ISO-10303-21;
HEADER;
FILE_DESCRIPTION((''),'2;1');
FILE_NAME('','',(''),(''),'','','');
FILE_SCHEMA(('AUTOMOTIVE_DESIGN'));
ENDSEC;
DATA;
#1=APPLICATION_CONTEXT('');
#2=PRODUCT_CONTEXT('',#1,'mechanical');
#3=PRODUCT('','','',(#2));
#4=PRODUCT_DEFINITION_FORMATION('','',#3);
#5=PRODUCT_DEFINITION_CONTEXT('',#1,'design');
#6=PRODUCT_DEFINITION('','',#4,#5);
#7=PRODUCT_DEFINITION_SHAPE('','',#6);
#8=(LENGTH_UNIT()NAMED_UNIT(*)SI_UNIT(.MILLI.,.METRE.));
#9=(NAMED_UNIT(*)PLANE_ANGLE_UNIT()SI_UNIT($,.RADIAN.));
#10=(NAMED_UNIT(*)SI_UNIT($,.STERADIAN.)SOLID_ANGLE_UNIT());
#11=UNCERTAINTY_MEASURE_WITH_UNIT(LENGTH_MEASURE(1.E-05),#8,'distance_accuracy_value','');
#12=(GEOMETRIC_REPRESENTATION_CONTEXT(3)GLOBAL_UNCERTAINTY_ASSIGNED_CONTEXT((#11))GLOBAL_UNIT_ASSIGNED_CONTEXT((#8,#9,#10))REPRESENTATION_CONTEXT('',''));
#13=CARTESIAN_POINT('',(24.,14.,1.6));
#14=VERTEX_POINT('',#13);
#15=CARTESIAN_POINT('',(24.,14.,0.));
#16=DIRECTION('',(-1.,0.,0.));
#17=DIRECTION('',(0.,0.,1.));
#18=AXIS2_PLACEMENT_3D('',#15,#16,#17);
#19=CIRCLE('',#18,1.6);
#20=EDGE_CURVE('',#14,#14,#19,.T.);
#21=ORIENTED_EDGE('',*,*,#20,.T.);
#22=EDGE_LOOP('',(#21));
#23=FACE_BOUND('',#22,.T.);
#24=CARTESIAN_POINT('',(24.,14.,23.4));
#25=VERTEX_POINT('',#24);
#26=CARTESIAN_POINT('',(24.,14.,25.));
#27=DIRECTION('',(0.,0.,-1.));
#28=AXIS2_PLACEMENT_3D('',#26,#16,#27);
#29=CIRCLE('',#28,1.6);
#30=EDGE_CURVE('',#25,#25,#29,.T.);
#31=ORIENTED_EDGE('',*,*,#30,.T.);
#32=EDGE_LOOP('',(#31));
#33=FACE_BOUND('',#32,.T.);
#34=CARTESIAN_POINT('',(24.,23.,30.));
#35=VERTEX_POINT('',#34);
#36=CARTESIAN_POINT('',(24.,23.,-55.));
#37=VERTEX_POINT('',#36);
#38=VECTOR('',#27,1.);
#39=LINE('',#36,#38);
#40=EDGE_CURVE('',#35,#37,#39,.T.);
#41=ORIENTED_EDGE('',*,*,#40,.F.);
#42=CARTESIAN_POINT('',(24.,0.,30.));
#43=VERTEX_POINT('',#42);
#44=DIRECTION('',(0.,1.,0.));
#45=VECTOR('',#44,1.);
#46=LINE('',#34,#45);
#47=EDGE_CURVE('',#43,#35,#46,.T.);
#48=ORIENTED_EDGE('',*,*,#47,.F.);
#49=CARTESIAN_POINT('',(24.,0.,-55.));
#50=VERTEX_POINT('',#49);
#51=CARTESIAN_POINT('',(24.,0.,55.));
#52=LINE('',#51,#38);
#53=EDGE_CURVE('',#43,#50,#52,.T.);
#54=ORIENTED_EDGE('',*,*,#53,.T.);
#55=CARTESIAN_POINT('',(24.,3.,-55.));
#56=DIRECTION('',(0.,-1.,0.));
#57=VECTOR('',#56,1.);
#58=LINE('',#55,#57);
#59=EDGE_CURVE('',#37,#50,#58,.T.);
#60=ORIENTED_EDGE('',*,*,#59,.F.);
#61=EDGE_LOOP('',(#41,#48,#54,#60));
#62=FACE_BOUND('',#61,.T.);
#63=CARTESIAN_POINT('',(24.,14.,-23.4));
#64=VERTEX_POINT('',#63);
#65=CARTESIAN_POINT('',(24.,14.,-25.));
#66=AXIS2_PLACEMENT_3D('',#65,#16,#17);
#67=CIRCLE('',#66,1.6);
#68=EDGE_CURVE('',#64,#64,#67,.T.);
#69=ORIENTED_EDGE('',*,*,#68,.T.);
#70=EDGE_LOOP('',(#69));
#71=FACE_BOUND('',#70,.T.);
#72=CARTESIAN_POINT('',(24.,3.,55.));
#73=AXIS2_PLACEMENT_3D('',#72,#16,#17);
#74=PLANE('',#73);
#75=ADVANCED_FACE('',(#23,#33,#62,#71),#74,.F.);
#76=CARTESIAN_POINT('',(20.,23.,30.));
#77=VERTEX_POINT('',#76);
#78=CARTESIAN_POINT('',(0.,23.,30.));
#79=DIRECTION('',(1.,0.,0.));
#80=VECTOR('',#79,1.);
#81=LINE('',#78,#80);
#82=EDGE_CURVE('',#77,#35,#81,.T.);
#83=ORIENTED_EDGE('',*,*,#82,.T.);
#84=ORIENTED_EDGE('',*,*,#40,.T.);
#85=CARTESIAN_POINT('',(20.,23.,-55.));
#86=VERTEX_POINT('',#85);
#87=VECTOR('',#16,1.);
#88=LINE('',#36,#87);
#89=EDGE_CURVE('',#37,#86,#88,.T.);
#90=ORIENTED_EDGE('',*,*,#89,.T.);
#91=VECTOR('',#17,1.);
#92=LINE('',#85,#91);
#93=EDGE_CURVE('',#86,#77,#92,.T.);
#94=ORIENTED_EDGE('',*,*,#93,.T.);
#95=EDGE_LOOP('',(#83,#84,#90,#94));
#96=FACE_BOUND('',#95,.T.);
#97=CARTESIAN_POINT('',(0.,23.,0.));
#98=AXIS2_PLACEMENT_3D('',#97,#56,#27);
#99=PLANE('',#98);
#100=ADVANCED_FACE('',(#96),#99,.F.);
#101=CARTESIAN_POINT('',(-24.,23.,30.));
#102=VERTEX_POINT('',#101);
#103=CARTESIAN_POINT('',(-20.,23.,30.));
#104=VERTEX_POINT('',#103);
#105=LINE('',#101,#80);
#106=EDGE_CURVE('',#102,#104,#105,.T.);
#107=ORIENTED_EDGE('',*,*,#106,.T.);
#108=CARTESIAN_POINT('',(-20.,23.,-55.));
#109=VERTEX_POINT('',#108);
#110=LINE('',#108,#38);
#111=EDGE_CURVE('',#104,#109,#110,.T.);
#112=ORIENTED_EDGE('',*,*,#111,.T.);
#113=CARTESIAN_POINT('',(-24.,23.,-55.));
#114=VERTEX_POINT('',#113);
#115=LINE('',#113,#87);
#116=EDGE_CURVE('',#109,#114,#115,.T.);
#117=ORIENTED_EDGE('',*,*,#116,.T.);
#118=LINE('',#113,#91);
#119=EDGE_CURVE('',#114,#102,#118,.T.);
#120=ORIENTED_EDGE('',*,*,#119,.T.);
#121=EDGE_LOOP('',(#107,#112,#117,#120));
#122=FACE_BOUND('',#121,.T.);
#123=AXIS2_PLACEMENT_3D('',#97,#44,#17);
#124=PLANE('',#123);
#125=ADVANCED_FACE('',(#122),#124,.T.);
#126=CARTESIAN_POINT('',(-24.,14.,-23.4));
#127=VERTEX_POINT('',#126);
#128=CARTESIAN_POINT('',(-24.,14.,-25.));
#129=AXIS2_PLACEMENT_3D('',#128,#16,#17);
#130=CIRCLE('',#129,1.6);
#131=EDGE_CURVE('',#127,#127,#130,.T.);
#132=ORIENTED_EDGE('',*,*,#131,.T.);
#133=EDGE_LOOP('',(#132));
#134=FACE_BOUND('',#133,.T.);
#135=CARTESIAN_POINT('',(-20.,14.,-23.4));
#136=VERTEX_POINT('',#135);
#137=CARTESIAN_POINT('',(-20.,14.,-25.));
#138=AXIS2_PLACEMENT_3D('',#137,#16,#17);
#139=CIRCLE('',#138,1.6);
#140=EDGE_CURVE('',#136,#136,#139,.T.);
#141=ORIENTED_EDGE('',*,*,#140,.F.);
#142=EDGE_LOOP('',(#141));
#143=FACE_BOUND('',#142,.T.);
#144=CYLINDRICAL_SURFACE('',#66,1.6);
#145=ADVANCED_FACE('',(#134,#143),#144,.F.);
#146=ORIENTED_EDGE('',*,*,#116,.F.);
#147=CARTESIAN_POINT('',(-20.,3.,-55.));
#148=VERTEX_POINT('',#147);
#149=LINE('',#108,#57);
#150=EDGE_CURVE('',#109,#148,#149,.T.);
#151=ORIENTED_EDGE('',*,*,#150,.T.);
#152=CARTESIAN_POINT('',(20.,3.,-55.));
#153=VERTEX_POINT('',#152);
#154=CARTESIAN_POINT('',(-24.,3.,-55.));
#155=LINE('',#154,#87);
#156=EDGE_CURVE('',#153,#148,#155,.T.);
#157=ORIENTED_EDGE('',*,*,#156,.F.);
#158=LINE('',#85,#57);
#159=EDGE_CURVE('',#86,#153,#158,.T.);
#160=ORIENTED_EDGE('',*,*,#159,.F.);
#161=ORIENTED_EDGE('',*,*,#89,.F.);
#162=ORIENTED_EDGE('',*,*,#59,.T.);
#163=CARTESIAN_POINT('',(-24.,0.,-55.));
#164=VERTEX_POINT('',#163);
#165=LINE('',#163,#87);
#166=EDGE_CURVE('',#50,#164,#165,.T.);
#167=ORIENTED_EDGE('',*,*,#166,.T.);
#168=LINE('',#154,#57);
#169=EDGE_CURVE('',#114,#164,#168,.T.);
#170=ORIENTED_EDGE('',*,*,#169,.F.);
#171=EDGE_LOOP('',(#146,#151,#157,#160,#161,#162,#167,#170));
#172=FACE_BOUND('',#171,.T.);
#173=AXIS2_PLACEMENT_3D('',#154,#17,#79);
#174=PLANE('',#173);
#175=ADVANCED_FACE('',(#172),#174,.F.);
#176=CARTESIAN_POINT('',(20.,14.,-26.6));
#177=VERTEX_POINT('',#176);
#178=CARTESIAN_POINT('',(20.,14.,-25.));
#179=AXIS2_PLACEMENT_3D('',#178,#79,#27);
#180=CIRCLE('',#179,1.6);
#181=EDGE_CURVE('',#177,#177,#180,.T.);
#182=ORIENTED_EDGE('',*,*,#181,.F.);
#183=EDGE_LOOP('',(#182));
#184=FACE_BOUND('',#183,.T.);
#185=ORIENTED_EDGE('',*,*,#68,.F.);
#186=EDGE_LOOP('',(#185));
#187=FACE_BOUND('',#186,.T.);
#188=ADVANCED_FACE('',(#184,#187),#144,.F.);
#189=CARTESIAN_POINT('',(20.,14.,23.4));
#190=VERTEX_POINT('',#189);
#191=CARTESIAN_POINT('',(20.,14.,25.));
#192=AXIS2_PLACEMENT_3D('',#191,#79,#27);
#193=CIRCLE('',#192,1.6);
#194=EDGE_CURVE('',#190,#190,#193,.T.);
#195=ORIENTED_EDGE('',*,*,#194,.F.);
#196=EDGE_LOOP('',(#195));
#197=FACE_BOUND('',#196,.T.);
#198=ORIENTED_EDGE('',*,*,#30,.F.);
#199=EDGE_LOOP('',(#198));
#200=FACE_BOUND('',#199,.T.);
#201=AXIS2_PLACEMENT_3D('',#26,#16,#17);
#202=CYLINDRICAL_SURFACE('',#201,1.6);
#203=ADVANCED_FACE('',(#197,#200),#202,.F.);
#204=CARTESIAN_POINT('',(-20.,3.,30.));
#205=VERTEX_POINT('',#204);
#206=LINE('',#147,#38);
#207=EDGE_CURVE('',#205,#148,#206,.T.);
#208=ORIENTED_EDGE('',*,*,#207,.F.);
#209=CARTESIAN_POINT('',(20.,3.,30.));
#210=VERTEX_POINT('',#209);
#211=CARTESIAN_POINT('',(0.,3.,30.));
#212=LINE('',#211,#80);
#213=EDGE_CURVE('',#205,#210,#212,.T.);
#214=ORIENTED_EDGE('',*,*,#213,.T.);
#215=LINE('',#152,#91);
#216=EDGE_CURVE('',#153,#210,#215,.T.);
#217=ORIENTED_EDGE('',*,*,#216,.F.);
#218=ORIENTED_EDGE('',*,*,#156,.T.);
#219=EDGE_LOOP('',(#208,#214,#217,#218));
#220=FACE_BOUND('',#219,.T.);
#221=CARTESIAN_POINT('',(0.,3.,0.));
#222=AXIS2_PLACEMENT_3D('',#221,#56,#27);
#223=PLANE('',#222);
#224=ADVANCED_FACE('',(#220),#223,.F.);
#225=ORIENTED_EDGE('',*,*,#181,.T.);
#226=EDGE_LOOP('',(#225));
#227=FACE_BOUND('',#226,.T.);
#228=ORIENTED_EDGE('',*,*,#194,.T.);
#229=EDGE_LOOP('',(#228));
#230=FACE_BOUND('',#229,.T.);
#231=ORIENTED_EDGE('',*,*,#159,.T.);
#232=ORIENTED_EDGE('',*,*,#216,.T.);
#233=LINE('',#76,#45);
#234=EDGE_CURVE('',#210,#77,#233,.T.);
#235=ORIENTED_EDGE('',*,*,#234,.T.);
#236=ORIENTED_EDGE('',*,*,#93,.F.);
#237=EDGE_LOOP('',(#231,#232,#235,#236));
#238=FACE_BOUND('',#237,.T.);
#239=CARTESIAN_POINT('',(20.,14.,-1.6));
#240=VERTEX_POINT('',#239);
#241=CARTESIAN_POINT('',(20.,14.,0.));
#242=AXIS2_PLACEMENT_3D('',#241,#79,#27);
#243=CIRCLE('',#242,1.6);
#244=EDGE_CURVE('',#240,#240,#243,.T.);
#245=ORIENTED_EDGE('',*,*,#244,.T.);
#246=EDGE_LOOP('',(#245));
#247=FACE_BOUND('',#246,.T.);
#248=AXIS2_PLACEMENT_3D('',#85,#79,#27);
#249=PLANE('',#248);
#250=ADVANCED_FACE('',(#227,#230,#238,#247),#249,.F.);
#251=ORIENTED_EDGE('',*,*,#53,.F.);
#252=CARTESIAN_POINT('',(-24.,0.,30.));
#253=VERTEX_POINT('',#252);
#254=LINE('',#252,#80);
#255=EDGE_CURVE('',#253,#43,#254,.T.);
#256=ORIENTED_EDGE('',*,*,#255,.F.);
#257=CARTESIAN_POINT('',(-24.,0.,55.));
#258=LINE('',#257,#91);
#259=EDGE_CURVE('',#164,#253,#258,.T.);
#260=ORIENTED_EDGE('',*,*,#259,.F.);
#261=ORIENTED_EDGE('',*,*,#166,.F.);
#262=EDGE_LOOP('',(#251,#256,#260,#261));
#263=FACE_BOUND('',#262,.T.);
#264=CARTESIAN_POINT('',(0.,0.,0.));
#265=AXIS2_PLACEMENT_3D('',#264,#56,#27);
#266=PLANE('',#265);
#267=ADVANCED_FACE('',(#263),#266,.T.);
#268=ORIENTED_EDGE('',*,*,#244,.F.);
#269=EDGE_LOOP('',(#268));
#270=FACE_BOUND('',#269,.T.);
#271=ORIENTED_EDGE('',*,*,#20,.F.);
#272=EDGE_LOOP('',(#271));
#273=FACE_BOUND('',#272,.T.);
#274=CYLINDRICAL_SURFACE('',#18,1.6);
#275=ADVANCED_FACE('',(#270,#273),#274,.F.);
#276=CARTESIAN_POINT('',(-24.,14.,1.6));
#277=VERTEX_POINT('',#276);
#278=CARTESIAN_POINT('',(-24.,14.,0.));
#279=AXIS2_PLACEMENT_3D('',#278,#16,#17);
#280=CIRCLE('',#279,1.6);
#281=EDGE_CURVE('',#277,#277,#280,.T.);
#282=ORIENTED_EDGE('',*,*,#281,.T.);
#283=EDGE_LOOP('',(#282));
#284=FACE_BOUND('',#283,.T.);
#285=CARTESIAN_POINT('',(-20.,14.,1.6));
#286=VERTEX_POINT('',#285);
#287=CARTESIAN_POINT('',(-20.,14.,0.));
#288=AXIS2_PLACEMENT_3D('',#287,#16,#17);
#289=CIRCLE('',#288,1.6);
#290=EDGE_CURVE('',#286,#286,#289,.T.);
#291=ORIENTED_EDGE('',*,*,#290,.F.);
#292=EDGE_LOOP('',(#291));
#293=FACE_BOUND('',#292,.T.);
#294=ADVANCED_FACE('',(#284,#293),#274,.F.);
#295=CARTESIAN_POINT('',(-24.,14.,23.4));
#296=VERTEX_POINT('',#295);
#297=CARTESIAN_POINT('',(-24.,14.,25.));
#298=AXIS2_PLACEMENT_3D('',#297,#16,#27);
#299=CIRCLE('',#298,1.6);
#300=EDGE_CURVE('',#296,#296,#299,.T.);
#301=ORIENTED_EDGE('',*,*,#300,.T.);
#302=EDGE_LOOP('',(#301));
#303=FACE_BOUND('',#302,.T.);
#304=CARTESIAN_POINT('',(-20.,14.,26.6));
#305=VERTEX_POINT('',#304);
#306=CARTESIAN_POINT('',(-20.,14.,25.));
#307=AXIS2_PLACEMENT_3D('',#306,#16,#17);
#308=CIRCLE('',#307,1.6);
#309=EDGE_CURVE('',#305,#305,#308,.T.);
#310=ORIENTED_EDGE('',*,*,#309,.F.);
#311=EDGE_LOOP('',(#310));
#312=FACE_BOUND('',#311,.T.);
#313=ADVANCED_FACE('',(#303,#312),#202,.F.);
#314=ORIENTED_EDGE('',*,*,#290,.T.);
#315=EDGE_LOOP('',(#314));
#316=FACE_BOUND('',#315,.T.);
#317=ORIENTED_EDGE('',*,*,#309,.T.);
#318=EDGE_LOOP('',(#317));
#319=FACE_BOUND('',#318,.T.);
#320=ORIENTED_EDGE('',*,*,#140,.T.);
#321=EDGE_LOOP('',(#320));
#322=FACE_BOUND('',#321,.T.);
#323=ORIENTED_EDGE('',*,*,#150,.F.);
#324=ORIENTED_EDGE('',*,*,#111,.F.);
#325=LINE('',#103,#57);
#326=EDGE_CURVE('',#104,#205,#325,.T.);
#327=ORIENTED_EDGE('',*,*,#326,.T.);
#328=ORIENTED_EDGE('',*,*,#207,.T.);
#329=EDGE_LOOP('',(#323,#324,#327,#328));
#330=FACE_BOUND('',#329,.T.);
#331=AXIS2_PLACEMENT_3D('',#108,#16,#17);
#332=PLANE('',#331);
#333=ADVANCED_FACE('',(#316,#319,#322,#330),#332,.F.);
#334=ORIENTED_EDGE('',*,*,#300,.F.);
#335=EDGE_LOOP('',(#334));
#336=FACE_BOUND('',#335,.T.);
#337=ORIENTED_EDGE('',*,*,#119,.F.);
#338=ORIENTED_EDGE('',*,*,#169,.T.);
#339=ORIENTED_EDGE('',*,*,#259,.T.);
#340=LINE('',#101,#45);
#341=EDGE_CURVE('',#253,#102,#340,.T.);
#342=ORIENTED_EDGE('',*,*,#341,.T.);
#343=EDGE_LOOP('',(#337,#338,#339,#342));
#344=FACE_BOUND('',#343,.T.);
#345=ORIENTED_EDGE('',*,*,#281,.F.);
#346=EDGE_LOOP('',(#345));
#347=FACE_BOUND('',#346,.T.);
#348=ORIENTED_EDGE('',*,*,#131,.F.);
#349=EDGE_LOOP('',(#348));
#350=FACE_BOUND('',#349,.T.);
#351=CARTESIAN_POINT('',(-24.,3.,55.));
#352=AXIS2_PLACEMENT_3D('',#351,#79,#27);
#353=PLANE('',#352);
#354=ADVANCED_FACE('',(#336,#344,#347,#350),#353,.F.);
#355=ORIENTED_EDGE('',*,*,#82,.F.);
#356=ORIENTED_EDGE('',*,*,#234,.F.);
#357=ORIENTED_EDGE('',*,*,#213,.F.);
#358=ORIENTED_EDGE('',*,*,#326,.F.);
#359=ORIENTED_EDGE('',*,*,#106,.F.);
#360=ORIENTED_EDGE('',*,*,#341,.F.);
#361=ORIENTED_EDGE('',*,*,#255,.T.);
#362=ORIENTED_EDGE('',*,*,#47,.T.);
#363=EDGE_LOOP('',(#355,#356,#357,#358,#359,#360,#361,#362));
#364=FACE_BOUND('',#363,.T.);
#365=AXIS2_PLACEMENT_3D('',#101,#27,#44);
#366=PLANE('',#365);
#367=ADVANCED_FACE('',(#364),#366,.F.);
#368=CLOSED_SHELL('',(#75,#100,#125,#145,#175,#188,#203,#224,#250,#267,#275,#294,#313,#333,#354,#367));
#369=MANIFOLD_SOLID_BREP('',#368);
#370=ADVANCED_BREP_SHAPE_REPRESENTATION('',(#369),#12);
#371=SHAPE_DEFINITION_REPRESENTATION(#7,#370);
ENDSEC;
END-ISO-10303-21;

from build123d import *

# Parameters (mm, degrees)
SKETCH_2_W          = 48
SKETCH_2_H          = 110
EXTRUDE_1_DEPTH     = 3
SKETCH_3_W          = 4
SKETCH_3_H          = 110
EXTRUDE_2_DEPTH     = 20
SKETCH_4_R          = 1.6
CUT_EXTRUDE_1_DEPTH = 77.537572473
SKETCH_5_W          = 25
SKETCH_5_H          = 23
CUT_EXTRUDE_2_DEPTH = 77.537572473


with BuildPart() as part:
    # 草图2 → 凸台-拉伸1 (new body)
    with BuildSketch(Plane(origin=(0, 0, 0), x_dir=(1, 0, 0), z_dir=(0, 1, 0))):
        Rectangle(SKETCH_2_W, SKETCH_2_H)
    extrude(amount=EXTRUDE_1_DEPTH)

    # 草图3 → 凸台-拉伸2 (add)
    with BuildSketch(Plane(origin=(0, 3, 0), x_dir=(1, 0, 0), z_dir=(0, 1, 0))):
        with Locations((-22, 0)):
            Rectangle(SKETCH_3_W, SKETCH_3_H)
        with Locations((22, 0)):
            Rectangle(SKETCH_3_W, SKETCH_3_H)
    extrude(amount=EXTRUDE_2_DEPTH)

    # 草图4 → 切除-拉伸1 (cut, through all)
    with BuildSketch(Plane.ZY.offset(24)):
        with Locations((0, 14)):
            Circle(SKETCH_4_R)
        with Locations((-25, 14)):
            Circle(SKETCH_4_R)
        with Locations(Location((25, 14, 0), (0, 0, 180))):
            Circle(SKETCH_4_R)
    extrude(amount=-CUT_EXTRUDE_1_DEPTH, mode=Mode.SUBTRACT)

    # 草图5 → 切除-拉伸2 (cut, through all)
    with BuildSketch(Plane(origin=(24, 0, 0), x_dir=(0, 0, -1), z_dir=(1, 0, 0))):
        with Locations((-42.5, 11.5)):
            Rectangle(SKETCH_5_W, SKETCH_5_H)
    extrude(amount=-CUT_EXTRUDE_2_DEPTH, mode=Mode.SUBTRACT)


solid = part.part
